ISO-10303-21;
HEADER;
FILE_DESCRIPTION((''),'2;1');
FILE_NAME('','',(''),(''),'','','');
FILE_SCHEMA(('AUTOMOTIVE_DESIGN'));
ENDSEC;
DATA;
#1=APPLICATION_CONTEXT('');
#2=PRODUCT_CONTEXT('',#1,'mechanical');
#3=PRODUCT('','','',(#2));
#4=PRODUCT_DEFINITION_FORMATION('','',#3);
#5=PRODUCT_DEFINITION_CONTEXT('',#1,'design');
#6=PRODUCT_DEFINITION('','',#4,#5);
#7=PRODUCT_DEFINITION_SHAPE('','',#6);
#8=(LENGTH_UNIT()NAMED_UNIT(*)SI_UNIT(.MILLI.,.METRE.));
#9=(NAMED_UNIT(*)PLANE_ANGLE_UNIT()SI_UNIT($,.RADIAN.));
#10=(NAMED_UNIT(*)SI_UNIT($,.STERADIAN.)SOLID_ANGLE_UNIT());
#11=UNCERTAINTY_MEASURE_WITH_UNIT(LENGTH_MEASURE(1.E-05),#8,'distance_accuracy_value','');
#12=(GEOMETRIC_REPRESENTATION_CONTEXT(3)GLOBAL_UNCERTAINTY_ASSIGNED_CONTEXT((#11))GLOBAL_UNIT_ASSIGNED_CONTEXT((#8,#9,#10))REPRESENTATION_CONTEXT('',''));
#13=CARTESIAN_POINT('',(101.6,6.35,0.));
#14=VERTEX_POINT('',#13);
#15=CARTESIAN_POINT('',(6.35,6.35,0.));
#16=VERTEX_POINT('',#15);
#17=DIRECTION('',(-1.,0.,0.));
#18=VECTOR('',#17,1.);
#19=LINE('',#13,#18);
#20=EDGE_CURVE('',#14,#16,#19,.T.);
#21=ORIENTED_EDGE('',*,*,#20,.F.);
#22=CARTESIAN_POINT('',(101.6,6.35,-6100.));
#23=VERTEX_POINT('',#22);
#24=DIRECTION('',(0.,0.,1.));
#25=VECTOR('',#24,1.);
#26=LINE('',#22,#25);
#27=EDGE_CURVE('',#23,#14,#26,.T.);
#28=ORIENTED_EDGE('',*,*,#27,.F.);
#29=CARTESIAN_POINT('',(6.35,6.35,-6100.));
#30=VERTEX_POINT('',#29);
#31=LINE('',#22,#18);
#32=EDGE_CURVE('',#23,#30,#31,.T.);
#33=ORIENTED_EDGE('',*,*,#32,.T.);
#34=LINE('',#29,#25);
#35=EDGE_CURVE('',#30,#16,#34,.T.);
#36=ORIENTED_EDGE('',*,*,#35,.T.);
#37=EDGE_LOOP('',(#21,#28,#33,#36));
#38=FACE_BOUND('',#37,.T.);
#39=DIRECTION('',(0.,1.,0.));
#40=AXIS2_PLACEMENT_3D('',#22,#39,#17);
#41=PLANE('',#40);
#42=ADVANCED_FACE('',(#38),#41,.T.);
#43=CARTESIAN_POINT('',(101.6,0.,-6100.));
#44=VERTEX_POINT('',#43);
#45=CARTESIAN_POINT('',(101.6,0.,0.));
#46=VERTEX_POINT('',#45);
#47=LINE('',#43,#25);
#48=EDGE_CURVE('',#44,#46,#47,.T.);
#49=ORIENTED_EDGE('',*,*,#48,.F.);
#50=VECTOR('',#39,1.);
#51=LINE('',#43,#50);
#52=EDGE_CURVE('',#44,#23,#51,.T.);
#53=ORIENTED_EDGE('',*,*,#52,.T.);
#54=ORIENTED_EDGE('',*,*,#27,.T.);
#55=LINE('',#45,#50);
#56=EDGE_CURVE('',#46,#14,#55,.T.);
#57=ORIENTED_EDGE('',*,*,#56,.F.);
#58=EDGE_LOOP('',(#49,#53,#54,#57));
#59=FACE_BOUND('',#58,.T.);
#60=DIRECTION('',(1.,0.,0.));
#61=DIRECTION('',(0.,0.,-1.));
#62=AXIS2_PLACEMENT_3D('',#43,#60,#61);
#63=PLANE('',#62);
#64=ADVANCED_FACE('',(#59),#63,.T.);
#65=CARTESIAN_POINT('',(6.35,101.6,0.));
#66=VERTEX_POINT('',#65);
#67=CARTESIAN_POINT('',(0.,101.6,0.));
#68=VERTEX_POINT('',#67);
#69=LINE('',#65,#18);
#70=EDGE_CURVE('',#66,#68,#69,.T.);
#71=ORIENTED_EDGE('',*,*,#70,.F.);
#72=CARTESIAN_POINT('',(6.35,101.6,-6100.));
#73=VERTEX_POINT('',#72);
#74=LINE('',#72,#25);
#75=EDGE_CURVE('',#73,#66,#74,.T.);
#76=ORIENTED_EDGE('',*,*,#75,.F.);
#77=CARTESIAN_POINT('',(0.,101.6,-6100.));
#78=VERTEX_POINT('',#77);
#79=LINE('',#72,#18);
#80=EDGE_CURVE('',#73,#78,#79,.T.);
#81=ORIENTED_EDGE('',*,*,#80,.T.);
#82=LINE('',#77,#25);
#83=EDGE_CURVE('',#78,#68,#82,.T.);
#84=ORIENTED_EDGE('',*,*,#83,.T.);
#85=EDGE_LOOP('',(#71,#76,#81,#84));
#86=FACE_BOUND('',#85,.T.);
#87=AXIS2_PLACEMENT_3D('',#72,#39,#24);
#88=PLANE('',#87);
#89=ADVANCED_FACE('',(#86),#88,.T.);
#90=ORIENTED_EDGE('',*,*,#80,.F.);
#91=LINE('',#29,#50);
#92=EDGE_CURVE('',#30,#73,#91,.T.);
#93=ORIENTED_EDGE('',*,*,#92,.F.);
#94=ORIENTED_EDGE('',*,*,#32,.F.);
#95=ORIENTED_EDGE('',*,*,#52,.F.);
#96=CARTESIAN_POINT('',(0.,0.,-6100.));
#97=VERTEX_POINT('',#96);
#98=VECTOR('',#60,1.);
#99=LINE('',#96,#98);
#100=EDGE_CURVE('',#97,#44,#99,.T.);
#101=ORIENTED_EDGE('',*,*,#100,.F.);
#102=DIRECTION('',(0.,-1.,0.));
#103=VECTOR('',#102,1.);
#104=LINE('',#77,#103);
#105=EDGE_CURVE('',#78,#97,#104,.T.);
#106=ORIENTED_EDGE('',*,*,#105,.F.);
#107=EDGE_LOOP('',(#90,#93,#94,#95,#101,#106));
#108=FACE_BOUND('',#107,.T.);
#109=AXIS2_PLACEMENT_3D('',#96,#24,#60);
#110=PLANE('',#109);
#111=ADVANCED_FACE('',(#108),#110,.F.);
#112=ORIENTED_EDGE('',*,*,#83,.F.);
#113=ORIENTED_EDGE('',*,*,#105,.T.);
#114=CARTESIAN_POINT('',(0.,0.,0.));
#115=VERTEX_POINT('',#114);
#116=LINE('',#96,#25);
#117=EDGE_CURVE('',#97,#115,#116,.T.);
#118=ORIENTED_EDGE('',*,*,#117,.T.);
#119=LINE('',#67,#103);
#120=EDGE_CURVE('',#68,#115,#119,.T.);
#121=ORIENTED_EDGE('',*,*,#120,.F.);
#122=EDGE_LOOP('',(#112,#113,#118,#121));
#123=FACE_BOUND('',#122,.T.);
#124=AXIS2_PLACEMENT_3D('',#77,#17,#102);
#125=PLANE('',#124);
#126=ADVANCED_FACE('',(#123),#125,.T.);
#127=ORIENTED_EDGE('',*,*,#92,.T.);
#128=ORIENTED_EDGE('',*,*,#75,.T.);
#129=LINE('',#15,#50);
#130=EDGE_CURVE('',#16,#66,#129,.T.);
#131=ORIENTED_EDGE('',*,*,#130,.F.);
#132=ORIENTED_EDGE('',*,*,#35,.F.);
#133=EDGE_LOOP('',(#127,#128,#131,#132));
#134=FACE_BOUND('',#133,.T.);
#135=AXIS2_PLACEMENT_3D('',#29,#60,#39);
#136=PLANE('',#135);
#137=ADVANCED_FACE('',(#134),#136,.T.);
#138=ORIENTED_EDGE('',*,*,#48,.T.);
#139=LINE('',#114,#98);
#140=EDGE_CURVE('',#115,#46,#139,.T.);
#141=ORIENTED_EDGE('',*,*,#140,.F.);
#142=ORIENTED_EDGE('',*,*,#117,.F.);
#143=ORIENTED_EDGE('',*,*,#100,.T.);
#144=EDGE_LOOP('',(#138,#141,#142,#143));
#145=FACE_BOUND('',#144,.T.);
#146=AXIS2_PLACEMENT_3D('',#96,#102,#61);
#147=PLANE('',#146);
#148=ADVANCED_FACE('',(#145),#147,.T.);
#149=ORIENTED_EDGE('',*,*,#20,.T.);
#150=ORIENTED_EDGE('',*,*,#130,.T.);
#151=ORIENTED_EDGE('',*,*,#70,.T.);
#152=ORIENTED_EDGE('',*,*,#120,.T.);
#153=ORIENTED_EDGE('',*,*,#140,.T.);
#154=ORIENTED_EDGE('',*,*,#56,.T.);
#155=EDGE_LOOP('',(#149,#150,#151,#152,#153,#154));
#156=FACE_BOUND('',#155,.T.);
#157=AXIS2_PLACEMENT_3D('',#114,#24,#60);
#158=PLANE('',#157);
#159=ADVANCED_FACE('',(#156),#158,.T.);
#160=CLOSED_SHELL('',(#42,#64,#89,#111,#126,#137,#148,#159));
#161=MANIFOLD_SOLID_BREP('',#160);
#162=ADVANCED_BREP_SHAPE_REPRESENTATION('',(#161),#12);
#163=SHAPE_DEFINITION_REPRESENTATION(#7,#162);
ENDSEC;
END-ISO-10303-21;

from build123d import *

# Parameters (mm, degrees)
SALIENTE_EXTRUIR1_DEPTH = 6100


with BuildPart() as part:
    # Croquis1 → Saliente-Extruir1 (new body)
    with BuildSketch(Plane.XY):
        Polygon((0, 101.6), (0, 0), (101.6, 0), (101.6, 6.35), (6.35, 6.35), (6.35, 101.6), align=None)
    extrude(amount=-SALIENTE_EXTRUIR1_DEPTH)


solid = part.part
